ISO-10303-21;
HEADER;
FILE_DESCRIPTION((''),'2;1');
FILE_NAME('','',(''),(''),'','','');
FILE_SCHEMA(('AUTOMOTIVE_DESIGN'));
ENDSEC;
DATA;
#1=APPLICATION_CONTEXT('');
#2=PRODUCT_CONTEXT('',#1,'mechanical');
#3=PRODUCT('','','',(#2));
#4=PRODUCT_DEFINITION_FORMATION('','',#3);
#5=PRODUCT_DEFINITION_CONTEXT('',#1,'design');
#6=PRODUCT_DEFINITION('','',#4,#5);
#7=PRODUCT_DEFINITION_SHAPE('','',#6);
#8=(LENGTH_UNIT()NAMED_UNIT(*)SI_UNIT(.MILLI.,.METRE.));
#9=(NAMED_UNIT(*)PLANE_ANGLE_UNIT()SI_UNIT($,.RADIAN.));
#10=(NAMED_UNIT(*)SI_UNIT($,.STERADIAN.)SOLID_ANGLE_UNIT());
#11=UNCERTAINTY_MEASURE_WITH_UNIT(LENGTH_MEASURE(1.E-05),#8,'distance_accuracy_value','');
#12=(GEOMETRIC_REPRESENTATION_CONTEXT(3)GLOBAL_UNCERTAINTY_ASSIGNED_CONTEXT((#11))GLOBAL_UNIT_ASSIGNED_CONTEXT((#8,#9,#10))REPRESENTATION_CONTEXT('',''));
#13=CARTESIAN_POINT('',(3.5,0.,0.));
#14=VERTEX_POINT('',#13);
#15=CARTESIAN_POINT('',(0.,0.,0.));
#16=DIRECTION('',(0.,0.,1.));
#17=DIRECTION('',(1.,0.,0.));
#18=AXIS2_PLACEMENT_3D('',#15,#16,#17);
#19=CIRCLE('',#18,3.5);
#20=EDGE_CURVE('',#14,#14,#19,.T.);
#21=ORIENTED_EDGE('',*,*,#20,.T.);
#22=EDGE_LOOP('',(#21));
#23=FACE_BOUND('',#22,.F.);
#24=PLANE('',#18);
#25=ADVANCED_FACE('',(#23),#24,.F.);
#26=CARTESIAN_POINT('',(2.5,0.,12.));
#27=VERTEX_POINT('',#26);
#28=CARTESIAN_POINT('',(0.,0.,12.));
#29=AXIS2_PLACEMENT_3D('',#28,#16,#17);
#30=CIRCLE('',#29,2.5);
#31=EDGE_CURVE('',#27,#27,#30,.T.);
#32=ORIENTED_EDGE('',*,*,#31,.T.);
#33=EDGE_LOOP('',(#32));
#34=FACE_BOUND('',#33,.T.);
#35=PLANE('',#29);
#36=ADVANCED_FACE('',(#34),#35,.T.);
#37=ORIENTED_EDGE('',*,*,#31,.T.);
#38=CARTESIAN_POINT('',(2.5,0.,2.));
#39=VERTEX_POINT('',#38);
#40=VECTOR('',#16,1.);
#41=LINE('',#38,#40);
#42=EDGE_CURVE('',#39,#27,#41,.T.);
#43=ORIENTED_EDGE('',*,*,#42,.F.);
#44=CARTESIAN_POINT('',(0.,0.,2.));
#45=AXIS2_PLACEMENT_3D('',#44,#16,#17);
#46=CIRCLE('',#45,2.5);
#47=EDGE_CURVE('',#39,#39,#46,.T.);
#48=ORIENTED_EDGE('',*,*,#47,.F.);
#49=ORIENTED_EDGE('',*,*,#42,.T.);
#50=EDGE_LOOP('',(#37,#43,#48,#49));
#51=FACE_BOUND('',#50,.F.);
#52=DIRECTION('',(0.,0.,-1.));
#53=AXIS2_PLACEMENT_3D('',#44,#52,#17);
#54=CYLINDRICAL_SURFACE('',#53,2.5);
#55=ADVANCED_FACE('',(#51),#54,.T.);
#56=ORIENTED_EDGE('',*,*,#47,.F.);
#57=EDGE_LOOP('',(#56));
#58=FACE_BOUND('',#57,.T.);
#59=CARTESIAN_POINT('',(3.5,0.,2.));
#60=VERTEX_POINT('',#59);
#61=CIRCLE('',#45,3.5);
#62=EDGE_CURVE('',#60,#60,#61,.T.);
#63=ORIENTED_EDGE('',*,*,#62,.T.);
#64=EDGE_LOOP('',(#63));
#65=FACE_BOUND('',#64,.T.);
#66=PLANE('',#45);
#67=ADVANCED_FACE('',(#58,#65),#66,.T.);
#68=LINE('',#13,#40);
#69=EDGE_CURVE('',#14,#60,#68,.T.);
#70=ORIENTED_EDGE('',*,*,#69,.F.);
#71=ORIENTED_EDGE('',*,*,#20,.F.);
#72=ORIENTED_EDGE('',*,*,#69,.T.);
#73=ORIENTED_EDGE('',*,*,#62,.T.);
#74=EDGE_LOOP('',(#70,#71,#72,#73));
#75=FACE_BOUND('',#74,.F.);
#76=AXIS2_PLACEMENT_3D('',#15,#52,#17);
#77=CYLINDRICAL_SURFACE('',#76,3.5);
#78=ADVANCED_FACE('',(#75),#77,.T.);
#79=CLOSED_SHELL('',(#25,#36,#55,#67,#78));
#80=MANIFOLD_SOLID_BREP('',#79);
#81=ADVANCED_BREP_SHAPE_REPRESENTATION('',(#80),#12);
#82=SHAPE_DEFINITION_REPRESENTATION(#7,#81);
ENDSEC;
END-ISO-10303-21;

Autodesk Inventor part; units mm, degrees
ref_plane "YZ Plane" through (0, 0, 0) normal (1, 0, 0) x (0, 1, 0)
ref_plane "XZ Plane" through (0, 0, 0) normal (0, 1, 0) x (-1, 0, 0)
ref_plane "XY Plane" through (0, 0, 0) normal (0, 0, 1) x (1, 0, 0)
sketch "Sketch1" plane through (0, 0, 0) normal (0, 0, 1) x (1, 0, 0)
  circle A0 centre (0, 0) radius 3.5
  dimension "d0" = 7
extrude "Extrusion1" add sketch "Sketch1" along normal blind 2
sketch "Sketch2" plane through (0, 0, 2) normal (0, 0, 1) x (1, 0, 0)
  circle A0 centre (0, 0) radius 2.5
  dimension "d3" = 5
extrude "Extrusion2" add sketch "Sketch2" along normal blind 10
thread "Thread1" size "M5x0.8" class "6g" standard "ANSI Metric M Profile" full length
properties part number "nut for stepper motor"
